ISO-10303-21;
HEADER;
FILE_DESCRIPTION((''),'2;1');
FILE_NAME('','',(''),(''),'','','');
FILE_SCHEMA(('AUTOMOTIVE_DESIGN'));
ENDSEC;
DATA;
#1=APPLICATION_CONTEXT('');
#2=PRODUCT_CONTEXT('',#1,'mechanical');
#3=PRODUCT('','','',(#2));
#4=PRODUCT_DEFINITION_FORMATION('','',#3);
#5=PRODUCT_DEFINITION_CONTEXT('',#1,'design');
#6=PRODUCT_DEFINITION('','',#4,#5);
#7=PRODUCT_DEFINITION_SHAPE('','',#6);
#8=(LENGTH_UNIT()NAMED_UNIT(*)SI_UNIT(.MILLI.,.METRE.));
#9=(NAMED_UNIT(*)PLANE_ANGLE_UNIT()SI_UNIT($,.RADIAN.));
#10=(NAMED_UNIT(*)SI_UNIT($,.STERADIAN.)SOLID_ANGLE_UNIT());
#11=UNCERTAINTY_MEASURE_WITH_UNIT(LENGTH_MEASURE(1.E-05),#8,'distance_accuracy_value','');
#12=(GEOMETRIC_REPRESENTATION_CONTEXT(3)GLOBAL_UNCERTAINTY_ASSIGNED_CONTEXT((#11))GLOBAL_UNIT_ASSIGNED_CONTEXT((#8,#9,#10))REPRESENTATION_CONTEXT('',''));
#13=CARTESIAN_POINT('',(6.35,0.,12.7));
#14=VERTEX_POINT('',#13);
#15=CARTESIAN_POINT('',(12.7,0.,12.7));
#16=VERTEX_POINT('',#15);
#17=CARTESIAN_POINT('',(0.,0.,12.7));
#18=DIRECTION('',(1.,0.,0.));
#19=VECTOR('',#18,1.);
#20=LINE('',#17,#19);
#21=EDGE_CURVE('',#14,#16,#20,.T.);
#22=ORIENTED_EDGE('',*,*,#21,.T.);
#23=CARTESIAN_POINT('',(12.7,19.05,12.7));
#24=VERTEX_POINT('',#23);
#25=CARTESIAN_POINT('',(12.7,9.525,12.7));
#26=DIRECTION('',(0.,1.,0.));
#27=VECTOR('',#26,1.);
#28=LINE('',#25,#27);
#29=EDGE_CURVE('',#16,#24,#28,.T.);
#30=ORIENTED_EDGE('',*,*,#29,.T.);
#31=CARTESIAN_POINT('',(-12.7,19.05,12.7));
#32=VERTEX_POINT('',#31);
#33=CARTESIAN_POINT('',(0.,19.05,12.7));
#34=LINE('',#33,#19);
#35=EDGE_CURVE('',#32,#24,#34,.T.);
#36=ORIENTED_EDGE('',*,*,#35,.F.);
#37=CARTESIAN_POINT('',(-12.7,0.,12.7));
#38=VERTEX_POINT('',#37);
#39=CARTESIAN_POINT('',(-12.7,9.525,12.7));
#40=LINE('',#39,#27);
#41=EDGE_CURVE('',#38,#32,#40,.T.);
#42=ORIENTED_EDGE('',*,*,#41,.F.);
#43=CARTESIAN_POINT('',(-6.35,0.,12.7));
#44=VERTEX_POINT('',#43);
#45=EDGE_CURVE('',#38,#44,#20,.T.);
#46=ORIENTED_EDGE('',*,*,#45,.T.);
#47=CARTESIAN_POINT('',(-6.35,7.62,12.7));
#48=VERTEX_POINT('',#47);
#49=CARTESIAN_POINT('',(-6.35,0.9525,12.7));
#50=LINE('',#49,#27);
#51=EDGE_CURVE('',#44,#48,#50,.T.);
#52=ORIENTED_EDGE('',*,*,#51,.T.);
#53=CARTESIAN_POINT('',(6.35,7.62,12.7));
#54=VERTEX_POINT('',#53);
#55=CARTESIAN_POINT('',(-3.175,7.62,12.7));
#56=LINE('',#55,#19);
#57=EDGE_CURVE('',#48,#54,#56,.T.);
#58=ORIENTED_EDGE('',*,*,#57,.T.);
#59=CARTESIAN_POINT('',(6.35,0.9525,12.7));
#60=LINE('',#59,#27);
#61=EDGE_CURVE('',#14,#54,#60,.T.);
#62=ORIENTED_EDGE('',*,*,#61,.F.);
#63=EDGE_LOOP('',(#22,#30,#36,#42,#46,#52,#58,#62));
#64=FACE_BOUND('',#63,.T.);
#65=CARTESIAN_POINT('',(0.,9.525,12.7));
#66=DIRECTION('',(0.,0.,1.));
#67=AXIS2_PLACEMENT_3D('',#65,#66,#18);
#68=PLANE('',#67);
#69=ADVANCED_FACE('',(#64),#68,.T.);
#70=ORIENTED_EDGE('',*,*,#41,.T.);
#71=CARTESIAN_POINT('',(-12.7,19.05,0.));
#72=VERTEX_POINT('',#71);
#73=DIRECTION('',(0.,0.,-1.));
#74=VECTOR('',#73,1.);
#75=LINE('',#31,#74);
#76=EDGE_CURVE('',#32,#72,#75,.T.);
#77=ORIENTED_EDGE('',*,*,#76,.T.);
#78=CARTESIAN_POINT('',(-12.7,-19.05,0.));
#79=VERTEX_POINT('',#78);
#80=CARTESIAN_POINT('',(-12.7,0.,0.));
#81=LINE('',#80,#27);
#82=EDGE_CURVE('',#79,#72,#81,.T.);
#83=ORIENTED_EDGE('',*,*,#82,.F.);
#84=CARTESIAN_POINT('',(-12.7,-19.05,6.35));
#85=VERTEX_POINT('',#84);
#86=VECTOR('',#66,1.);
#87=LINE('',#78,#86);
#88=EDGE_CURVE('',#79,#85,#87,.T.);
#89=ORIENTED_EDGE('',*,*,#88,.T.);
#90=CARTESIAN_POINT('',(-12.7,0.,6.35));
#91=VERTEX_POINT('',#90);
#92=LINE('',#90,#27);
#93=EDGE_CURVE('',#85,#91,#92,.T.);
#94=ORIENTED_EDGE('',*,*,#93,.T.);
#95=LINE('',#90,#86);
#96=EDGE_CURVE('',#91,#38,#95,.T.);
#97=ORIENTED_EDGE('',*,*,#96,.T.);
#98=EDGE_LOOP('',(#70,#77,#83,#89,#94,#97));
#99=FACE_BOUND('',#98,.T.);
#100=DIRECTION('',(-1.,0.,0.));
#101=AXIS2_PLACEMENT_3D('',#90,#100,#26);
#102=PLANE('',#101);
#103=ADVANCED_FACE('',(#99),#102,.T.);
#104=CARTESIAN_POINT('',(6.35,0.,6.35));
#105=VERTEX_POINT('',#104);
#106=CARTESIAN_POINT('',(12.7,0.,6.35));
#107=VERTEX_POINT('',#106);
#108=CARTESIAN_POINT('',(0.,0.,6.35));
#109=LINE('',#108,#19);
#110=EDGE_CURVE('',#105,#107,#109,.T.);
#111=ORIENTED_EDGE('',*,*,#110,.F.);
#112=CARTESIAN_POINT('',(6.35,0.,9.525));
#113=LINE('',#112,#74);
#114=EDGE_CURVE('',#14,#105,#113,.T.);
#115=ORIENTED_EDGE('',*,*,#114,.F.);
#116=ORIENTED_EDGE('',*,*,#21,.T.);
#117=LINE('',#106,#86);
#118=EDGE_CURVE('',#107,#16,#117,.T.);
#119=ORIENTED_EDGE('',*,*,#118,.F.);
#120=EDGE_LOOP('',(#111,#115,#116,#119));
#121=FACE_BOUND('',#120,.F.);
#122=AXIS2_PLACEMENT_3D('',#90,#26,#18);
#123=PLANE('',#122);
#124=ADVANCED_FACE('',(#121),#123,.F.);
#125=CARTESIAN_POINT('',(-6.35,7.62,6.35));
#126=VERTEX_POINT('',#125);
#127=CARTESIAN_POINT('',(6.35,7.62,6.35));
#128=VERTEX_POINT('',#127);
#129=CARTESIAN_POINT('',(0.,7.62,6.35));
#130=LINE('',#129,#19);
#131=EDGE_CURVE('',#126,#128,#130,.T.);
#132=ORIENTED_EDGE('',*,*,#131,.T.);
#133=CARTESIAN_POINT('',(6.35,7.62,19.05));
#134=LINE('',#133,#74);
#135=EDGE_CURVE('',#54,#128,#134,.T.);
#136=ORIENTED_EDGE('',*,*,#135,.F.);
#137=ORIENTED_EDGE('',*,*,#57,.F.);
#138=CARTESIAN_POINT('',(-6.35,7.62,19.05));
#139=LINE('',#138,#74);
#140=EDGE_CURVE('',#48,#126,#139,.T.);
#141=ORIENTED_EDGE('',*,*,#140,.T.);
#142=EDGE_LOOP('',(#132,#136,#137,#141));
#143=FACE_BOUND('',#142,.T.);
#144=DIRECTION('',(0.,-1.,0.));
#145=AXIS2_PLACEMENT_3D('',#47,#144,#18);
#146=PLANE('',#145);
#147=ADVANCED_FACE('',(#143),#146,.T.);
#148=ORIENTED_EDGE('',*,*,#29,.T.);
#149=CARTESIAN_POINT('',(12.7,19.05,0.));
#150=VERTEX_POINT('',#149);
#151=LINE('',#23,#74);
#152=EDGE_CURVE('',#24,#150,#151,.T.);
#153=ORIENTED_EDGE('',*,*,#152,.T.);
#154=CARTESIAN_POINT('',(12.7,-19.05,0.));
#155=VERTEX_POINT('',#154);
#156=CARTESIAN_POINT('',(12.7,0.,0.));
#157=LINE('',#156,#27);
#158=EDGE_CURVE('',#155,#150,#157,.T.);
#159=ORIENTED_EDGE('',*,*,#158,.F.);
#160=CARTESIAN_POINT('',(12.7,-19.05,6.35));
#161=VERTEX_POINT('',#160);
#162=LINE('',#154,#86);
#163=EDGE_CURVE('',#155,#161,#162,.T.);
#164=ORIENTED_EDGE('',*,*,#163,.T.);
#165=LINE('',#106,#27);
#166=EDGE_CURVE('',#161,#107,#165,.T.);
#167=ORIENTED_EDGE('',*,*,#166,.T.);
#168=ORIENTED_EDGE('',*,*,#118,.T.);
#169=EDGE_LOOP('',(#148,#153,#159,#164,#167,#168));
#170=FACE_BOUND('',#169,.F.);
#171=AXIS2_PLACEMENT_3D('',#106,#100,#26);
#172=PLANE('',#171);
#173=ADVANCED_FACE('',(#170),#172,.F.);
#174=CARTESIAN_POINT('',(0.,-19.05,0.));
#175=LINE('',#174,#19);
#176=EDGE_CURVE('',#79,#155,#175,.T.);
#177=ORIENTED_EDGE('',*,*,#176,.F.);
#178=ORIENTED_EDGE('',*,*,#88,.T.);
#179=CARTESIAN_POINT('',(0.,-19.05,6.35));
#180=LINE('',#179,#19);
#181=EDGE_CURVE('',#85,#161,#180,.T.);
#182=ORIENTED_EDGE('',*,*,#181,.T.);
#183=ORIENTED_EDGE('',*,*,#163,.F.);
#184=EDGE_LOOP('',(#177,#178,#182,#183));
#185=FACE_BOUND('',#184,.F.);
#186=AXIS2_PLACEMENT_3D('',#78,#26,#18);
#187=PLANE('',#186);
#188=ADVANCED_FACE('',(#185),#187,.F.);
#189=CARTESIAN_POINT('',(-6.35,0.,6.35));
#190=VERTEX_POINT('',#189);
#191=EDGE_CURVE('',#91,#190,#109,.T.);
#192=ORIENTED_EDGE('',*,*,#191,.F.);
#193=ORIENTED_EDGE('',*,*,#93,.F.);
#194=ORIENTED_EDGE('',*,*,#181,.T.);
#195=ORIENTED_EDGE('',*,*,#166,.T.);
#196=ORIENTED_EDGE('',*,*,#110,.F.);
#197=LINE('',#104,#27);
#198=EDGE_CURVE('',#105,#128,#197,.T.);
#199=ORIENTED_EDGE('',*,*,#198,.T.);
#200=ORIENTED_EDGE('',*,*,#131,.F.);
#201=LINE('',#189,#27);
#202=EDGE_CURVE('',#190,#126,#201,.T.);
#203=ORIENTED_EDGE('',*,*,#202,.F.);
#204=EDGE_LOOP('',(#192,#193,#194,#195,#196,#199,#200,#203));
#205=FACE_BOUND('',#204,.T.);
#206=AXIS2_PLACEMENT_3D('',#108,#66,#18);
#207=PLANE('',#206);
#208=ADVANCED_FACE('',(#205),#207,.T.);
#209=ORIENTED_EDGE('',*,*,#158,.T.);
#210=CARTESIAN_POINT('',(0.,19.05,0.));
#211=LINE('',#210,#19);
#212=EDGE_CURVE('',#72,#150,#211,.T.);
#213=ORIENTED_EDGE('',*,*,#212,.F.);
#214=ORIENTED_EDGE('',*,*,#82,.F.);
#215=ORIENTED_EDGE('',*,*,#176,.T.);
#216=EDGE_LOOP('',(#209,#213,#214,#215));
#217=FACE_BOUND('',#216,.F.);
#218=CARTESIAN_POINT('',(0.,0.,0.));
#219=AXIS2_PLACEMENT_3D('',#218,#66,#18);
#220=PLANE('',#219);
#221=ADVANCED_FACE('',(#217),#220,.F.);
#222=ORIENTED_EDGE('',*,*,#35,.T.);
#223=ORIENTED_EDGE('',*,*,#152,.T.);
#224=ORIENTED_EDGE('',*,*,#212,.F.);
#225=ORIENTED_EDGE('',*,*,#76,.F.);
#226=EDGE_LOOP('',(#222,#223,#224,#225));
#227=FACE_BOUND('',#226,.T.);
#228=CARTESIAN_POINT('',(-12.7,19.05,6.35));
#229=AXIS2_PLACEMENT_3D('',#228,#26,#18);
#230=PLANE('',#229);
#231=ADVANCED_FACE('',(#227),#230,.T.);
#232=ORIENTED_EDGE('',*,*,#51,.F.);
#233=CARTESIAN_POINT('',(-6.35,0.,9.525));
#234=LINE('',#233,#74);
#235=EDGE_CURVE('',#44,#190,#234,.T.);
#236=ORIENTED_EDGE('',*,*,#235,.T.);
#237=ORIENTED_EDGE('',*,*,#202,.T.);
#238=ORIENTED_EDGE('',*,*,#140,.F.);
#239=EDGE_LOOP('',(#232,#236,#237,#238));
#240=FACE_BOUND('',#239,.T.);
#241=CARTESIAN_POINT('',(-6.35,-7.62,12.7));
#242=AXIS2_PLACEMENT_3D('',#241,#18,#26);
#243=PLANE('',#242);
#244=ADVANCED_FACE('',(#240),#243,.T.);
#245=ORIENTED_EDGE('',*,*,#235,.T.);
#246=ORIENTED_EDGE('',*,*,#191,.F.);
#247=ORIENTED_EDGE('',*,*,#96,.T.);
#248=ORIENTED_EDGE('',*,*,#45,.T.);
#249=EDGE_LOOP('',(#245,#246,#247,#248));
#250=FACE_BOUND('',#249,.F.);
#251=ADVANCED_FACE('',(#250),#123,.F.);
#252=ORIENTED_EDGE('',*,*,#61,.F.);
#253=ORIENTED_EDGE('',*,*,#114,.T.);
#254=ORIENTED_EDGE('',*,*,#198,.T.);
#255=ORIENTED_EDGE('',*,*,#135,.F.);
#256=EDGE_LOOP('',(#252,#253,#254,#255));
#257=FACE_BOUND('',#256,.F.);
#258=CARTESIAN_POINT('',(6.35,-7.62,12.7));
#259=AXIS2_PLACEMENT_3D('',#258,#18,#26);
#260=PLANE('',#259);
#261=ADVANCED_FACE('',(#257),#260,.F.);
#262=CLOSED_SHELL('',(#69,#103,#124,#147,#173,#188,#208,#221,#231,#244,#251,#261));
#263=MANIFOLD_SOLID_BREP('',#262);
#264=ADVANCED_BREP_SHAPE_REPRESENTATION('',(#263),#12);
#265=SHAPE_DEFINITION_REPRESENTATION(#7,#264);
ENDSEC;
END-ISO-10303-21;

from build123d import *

# Parameters (mm, degrees)
F0_W     = 25.4
F0_H     = 38.1
F1_DEPTH = 6.35
F2_W     = 25.4
F2_H     = 19.05
F3_DEPTH = 6.35
F4_W     = 12.7
F4_H     = 15.24
F5_DEPTH = 6.35


with BuildPart() as f1:
    # F0 (on Top) → F1 (new body)
    with BuildSketch(Plane.XY):
        Rectangle(F0_W, F0_H)
    extrude(amount=F1_DEPTH)

    # F2 (on face) → F3 (join)
    with BuildSketch(Plane.XY.offset(6.35)):
        with Locations((0, 9.525)):
            Rectangle(F2_W, F2_H)
    extrude(amount=F3_DEPTH)

    # F4 (on face) → F5 (cut, symmetric)
    with BuildSketch(Plane.XY.offset(12.7)):
        Rectangle(F4_W, F4_H)
    extrude(amount=F5_DEPTH, both=True, mode=Mode.SUBTRACT)


solid = f1.part
